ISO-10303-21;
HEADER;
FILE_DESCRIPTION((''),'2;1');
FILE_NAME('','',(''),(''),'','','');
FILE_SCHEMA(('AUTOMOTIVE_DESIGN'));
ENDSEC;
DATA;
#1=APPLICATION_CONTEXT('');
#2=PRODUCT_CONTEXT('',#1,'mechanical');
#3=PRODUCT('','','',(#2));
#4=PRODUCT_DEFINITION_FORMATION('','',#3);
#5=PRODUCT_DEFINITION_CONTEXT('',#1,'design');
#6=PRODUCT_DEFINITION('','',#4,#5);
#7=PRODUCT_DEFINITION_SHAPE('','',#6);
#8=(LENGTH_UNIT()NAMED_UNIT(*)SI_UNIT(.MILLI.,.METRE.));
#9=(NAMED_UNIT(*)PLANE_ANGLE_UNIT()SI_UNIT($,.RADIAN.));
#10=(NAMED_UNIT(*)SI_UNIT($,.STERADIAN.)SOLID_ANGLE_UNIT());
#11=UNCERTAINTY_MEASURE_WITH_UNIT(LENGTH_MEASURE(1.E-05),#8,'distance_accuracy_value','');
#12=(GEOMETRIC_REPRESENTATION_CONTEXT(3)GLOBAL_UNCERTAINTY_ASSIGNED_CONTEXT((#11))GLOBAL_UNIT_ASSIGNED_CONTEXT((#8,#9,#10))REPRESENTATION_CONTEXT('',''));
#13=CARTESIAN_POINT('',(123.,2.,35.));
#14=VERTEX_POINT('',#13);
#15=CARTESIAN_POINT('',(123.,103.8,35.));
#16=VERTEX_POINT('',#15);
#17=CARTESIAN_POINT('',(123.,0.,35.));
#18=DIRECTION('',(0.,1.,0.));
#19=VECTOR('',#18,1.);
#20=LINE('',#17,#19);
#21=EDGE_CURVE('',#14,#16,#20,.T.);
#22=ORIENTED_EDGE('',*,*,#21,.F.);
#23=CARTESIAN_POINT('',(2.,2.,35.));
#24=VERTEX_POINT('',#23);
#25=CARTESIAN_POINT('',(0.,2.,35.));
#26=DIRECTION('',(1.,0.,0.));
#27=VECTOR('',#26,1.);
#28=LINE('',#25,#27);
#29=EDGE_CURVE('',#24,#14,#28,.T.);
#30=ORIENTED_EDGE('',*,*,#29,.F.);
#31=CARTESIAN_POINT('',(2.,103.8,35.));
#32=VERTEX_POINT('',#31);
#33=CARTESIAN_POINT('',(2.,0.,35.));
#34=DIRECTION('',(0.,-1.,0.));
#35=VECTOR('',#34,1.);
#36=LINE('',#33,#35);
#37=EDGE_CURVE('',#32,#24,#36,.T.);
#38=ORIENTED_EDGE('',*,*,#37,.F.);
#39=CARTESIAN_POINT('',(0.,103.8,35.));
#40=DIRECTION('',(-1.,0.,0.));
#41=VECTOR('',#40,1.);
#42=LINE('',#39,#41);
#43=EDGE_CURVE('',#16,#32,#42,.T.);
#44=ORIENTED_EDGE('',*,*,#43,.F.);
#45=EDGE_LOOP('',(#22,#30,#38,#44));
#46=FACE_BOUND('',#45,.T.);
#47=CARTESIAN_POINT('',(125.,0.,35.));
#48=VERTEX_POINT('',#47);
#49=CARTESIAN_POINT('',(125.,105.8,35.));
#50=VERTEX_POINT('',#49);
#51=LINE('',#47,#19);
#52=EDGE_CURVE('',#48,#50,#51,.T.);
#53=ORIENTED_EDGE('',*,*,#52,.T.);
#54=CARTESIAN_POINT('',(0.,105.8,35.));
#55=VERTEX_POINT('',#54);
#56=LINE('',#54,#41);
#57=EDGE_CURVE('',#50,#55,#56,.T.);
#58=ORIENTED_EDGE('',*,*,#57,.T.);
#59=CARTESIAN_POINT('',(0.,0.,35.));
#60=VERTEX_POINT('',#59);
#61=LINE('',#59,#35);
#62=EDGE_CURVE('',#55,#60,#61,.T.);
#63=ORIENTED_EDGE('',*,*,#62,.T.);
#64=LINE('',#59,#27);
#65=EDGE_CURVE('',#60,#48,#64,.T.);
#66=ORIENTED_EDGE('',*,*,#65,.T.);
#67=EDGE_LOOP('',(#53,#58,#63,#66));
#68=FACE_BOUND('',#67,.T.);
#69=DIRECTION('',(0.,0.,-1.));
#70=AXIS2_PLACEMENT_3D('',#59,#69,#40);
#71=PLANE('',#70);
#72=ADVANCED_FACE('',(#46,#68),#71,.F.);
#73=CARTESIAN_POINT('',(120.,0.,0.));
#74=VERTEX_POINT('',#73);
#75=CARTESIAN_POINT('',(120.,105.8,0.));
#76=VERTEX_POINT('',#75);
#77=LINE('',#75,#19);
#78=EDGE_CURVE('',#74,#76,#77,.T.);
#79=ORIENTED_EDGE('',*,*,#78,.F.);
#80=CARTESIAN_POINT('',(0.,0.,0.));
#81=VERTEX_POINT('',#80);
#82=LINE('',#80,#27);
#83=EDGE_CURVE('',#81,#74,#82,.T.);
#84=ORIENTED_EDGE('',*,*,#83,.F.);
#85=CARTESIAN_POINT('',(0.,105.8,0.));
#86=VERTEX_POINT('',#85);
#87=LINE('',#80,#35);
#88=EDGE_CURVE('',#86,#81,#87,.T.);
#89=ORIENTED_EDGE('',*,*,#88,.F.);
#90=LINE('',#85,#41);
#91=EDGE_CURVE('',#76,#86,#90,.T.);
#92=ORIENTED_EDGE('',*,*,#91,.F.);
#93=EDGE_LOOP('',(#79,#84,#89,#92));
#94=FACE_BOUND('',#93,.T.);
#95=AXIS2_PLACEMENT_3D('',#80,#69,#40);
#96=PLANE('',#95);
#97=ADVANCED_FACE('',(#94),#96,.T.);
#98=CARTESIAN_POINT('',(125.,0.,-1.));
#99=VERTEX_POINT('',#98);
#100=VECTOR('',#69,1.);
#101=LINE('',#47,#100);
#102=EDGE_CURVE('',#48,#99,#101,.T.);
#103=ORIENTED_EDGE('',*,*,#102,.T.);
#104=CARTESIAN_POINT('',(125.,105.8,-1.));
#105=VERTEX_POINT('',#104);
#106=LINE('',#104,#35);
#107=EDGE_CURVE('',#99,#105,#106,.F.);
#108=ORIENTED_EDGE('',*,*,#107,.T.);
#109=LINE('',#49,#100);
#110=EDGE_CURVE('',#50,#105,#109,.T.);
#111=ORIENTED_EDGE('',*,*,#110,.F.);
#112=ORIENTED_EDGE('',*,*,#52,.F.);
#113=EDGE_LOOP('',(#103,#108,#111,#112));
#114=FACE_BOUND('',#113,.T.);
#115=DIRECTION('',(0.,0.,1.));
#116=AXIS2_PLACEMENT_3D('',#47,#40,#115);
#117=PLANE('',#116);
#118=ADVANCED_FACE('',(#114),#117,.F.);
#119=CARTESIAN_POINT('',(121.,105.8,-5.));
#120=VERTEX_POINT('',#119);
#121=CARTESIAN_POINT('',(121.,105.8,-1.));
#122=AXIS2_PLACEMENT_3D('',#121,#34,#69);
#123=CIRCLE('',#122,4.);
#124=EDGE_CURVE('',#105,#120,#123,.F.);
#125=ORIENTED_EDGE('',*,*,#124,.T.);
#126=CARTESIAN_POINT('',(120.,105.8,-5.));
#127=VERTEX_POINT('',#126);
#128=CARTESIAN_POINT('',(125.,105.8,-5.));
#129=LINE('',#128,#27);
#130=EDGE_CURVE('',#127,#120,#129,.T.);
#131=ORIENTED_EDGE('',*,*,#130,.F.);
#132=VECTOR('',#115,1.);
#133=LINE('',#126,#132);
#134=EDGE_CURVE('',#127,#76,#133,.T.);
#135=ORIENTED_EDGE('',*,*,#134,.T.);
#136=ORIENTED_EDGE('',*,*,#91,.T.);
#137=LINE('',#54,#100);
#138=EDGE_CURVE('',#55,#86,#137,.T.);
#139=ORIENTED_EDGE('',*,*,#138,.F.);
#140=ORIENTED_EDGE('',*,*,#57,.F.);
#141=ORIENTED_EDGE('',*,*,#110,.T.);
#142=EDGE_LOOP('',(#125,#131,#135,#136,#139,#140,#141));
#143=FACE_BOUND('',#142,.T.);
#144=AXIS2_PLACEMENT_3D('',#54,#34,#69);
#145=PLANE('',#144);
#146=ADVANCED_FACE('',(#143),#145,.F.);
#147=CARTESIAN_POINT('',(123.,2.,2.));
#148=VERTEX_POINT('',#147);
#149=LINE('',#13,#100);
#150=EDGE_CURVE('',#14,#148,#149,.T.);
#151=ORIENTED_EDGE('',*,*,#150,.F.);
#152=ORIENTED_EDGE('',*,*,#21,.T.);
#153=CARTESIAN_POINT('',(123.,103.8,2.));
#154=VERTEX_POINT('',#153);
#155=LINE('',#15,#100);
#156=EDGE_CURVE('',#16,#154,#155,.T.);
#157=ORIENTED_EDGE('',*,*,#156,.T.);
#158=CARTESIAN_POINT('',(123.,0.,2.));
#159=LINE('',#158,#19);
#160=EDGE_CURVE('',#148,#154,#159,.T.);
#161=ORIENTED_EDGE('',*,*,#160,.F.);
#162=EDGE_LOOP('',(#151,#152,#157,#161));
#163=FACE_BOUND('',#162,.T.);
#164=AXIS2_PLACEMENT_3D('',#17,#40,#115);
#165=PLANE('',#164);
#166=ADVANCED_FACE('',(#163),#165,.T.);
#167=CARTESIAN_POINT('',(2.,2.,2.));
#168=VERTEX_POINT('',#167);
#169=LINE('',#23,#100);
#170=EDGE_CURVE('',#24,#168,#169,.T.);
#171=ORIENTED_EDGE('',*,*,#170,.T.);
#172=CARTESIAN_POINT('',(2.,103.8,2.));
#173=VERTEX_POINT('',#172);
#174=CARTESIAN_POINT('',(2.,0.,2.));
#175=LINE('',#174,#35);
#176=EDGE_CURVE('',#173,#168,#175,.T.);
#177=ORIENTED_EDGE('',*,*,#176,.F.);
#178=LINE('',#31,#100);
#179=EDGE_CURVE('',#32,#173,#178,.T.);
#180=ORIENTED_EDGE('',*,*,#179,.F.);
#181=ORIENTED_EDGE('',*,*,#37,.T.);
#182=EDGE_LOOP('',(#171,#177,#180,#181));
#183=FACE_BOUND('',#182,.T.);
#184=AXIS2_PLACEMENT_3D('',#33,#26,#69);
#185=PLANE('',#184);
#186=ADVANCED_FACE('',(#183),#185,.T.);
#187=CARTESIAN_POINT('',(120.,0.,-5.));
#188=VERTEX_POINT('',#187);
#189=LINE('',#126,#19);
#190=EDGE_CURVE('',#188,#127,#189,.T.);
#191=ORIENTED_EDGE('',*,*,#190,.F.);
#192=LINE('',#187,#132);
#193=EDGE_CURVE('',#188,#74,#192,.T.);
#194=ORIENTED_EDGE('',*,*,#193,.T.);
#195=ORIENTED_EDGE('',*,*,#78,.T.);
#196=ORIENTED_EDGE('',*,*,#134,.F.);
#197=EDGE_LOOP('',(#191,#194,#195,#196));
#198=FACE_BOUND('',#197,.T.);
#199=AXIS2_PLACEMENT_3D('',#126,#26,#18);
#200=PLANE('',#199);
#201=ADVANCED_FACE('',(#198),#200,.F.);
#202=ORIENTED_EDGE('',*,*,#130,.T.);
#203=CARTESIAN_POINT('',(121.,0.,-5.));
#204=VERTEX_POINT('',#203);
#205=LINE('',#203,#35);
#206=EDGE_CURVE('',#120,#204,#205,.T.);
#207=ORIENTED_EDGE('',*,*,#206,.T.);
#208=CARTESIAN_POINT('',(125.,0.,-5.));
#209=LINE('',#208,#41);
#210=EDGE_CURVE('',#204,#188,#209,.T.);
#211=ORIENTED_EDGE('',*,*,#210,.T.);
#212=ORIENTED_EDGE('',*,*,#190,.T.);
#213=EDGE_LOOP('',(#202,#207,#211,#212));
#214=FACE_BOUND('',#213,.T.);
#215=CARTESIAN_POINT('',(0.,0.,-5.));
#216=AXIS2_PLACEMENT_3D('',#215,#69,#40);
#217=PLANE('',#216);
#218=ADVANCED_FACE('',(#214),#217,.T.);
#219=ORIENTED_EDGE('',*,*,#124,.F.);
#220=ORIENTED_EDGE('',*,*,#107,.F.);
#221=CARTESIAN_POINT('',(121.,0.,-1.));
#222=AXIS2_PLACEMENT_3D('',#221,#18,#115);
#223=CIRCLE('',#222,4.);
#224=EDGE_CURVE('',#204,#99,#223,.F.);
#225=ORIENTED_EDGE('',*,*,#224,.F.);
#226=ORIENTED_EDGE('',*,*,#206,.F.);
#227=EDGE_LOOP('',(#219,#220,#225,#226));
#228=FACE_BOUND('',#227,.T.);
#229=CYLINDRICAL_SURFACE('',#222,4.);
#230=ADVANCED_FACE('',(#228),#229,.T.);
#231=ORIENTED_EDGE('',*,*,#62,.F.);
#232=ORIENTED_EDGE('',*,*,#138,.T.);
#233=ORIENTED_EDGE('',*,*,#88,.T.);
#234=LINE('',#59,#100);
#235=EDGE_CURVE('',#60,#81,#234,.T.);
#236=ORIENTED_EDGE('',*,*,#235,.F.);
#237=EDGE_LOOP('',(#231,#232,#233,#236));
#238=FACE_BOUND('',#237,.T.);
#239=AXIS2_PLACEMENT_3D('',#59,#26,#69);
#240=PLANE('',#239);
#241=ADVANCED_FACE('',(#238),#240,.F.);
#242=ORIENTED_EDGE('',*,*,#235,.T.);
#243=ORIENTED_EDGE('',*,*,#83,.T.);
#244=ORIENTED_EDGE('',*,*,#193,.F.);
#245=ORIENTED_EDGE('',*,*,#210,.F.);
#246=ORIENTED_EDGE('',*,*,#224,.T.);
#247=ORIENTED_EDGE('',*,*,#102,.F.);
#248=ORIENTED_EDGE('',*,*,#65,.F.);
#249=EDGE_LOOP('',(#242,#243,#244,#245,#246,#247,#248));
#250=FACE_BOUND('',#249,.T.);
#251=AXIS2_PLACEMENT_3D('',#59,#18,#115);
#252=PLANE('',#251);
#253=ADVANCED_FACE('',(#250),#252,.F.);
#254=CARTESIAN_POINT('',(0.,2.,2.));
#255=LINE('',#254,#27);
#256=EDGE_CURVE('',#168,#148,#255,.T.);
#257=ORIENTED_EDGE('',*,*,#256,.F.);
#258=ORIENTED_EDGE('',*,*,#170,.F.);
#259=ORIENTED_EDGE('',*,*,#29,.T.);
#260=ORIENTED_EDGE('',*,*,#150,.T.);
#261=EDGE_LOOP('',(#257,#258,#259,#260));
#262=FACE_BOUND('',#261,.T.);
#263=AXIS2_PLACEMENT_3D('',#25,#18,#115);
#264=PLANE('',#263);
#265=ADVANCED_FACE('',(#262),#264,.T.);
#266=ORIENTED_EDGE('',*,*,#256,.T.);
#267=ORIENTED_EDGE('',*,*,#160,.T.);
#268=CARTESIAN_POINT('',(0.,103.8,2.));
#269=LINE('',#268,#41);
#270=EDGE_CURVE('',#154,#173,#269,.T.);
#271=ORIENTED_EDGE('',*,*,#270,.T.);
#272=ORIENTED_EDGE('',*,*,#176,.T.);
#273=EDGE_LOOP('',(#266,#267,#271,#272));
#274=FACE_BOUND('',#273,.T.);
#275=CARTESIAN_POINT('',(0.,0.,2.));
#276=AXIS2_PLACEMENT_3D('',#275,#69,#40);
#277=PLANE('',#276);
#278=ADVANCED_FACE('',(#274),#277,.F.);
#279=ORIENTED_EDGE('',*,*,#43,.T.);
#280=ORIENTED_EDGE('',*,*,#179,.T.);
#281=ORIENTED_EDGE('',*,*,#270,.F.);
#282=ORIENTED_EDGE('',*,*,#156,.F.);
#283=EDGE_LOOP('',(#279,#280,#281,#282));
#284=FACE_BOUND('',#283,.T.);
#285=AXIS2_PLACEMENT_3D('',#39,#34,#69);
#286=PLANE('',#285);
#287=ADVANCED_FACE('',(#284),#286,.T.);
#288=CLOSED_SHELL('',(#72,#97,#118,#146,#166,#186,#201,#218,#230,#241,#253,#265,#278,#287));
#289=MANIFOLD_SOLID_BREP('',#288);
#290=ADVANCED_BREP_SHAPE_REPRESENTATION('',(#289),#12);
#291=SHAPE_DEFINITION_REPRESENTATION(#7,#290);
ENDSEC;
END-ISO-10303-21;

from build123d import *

# Parameters (mm, degrees)
SKETCH_1_W      = 125
SKETCH_1_H      = 105.8
EXTRUDE_1_DEPTH = 35
SHELL_1_T       = -2
SKETCH_2_W      = 5
SKETCH_2_H      = 105.8
EXTRUDE_2_DEPTH = 5
FILLET_1_R      = 4


with BuildPart() as part:
    # 草图1 → 凸台-拉伸1 (new body)
    with BuildSketch(Plane.XY):
        with Locations((62.5, 52.9)):
            Rectangle(SKETCH_1_W, SKETCH_1_H)
    extrude(amount=EXTRUDE_1_DEPTH)

    # 抽壳1
    shell_1_openings = [part.faces().sort_by_distance(p)[0] for p in [
        (62.5, 52.9, 35),
    ]]
    offset(amount=SHELL_1_T, openings=shell_1_openings, kind=Kind.INTERSECTION)

    # 草图2 → 凸台-拉伸2 (add)
    with BuildSketch(Plane(origin=(0, 0, 0), x_dir=(-1, 0, 0), z_dir=(0, 0, -1))):
        with Locations((-122.5, 52.9)):
            Rectangle(SKETCH_2_W, SKETCH_2_H)
    extrude(amount=EXTRUDE_2_DEPTH)

    # 圆角1
    fillet_1_edges = [part.edges().sort_by_distance(p)[0] for p in [
        (125, 52.9, -5),
    ]]
    fillet(fillet_1_edges, radius=FILLET_1_R)


solid = part.part
